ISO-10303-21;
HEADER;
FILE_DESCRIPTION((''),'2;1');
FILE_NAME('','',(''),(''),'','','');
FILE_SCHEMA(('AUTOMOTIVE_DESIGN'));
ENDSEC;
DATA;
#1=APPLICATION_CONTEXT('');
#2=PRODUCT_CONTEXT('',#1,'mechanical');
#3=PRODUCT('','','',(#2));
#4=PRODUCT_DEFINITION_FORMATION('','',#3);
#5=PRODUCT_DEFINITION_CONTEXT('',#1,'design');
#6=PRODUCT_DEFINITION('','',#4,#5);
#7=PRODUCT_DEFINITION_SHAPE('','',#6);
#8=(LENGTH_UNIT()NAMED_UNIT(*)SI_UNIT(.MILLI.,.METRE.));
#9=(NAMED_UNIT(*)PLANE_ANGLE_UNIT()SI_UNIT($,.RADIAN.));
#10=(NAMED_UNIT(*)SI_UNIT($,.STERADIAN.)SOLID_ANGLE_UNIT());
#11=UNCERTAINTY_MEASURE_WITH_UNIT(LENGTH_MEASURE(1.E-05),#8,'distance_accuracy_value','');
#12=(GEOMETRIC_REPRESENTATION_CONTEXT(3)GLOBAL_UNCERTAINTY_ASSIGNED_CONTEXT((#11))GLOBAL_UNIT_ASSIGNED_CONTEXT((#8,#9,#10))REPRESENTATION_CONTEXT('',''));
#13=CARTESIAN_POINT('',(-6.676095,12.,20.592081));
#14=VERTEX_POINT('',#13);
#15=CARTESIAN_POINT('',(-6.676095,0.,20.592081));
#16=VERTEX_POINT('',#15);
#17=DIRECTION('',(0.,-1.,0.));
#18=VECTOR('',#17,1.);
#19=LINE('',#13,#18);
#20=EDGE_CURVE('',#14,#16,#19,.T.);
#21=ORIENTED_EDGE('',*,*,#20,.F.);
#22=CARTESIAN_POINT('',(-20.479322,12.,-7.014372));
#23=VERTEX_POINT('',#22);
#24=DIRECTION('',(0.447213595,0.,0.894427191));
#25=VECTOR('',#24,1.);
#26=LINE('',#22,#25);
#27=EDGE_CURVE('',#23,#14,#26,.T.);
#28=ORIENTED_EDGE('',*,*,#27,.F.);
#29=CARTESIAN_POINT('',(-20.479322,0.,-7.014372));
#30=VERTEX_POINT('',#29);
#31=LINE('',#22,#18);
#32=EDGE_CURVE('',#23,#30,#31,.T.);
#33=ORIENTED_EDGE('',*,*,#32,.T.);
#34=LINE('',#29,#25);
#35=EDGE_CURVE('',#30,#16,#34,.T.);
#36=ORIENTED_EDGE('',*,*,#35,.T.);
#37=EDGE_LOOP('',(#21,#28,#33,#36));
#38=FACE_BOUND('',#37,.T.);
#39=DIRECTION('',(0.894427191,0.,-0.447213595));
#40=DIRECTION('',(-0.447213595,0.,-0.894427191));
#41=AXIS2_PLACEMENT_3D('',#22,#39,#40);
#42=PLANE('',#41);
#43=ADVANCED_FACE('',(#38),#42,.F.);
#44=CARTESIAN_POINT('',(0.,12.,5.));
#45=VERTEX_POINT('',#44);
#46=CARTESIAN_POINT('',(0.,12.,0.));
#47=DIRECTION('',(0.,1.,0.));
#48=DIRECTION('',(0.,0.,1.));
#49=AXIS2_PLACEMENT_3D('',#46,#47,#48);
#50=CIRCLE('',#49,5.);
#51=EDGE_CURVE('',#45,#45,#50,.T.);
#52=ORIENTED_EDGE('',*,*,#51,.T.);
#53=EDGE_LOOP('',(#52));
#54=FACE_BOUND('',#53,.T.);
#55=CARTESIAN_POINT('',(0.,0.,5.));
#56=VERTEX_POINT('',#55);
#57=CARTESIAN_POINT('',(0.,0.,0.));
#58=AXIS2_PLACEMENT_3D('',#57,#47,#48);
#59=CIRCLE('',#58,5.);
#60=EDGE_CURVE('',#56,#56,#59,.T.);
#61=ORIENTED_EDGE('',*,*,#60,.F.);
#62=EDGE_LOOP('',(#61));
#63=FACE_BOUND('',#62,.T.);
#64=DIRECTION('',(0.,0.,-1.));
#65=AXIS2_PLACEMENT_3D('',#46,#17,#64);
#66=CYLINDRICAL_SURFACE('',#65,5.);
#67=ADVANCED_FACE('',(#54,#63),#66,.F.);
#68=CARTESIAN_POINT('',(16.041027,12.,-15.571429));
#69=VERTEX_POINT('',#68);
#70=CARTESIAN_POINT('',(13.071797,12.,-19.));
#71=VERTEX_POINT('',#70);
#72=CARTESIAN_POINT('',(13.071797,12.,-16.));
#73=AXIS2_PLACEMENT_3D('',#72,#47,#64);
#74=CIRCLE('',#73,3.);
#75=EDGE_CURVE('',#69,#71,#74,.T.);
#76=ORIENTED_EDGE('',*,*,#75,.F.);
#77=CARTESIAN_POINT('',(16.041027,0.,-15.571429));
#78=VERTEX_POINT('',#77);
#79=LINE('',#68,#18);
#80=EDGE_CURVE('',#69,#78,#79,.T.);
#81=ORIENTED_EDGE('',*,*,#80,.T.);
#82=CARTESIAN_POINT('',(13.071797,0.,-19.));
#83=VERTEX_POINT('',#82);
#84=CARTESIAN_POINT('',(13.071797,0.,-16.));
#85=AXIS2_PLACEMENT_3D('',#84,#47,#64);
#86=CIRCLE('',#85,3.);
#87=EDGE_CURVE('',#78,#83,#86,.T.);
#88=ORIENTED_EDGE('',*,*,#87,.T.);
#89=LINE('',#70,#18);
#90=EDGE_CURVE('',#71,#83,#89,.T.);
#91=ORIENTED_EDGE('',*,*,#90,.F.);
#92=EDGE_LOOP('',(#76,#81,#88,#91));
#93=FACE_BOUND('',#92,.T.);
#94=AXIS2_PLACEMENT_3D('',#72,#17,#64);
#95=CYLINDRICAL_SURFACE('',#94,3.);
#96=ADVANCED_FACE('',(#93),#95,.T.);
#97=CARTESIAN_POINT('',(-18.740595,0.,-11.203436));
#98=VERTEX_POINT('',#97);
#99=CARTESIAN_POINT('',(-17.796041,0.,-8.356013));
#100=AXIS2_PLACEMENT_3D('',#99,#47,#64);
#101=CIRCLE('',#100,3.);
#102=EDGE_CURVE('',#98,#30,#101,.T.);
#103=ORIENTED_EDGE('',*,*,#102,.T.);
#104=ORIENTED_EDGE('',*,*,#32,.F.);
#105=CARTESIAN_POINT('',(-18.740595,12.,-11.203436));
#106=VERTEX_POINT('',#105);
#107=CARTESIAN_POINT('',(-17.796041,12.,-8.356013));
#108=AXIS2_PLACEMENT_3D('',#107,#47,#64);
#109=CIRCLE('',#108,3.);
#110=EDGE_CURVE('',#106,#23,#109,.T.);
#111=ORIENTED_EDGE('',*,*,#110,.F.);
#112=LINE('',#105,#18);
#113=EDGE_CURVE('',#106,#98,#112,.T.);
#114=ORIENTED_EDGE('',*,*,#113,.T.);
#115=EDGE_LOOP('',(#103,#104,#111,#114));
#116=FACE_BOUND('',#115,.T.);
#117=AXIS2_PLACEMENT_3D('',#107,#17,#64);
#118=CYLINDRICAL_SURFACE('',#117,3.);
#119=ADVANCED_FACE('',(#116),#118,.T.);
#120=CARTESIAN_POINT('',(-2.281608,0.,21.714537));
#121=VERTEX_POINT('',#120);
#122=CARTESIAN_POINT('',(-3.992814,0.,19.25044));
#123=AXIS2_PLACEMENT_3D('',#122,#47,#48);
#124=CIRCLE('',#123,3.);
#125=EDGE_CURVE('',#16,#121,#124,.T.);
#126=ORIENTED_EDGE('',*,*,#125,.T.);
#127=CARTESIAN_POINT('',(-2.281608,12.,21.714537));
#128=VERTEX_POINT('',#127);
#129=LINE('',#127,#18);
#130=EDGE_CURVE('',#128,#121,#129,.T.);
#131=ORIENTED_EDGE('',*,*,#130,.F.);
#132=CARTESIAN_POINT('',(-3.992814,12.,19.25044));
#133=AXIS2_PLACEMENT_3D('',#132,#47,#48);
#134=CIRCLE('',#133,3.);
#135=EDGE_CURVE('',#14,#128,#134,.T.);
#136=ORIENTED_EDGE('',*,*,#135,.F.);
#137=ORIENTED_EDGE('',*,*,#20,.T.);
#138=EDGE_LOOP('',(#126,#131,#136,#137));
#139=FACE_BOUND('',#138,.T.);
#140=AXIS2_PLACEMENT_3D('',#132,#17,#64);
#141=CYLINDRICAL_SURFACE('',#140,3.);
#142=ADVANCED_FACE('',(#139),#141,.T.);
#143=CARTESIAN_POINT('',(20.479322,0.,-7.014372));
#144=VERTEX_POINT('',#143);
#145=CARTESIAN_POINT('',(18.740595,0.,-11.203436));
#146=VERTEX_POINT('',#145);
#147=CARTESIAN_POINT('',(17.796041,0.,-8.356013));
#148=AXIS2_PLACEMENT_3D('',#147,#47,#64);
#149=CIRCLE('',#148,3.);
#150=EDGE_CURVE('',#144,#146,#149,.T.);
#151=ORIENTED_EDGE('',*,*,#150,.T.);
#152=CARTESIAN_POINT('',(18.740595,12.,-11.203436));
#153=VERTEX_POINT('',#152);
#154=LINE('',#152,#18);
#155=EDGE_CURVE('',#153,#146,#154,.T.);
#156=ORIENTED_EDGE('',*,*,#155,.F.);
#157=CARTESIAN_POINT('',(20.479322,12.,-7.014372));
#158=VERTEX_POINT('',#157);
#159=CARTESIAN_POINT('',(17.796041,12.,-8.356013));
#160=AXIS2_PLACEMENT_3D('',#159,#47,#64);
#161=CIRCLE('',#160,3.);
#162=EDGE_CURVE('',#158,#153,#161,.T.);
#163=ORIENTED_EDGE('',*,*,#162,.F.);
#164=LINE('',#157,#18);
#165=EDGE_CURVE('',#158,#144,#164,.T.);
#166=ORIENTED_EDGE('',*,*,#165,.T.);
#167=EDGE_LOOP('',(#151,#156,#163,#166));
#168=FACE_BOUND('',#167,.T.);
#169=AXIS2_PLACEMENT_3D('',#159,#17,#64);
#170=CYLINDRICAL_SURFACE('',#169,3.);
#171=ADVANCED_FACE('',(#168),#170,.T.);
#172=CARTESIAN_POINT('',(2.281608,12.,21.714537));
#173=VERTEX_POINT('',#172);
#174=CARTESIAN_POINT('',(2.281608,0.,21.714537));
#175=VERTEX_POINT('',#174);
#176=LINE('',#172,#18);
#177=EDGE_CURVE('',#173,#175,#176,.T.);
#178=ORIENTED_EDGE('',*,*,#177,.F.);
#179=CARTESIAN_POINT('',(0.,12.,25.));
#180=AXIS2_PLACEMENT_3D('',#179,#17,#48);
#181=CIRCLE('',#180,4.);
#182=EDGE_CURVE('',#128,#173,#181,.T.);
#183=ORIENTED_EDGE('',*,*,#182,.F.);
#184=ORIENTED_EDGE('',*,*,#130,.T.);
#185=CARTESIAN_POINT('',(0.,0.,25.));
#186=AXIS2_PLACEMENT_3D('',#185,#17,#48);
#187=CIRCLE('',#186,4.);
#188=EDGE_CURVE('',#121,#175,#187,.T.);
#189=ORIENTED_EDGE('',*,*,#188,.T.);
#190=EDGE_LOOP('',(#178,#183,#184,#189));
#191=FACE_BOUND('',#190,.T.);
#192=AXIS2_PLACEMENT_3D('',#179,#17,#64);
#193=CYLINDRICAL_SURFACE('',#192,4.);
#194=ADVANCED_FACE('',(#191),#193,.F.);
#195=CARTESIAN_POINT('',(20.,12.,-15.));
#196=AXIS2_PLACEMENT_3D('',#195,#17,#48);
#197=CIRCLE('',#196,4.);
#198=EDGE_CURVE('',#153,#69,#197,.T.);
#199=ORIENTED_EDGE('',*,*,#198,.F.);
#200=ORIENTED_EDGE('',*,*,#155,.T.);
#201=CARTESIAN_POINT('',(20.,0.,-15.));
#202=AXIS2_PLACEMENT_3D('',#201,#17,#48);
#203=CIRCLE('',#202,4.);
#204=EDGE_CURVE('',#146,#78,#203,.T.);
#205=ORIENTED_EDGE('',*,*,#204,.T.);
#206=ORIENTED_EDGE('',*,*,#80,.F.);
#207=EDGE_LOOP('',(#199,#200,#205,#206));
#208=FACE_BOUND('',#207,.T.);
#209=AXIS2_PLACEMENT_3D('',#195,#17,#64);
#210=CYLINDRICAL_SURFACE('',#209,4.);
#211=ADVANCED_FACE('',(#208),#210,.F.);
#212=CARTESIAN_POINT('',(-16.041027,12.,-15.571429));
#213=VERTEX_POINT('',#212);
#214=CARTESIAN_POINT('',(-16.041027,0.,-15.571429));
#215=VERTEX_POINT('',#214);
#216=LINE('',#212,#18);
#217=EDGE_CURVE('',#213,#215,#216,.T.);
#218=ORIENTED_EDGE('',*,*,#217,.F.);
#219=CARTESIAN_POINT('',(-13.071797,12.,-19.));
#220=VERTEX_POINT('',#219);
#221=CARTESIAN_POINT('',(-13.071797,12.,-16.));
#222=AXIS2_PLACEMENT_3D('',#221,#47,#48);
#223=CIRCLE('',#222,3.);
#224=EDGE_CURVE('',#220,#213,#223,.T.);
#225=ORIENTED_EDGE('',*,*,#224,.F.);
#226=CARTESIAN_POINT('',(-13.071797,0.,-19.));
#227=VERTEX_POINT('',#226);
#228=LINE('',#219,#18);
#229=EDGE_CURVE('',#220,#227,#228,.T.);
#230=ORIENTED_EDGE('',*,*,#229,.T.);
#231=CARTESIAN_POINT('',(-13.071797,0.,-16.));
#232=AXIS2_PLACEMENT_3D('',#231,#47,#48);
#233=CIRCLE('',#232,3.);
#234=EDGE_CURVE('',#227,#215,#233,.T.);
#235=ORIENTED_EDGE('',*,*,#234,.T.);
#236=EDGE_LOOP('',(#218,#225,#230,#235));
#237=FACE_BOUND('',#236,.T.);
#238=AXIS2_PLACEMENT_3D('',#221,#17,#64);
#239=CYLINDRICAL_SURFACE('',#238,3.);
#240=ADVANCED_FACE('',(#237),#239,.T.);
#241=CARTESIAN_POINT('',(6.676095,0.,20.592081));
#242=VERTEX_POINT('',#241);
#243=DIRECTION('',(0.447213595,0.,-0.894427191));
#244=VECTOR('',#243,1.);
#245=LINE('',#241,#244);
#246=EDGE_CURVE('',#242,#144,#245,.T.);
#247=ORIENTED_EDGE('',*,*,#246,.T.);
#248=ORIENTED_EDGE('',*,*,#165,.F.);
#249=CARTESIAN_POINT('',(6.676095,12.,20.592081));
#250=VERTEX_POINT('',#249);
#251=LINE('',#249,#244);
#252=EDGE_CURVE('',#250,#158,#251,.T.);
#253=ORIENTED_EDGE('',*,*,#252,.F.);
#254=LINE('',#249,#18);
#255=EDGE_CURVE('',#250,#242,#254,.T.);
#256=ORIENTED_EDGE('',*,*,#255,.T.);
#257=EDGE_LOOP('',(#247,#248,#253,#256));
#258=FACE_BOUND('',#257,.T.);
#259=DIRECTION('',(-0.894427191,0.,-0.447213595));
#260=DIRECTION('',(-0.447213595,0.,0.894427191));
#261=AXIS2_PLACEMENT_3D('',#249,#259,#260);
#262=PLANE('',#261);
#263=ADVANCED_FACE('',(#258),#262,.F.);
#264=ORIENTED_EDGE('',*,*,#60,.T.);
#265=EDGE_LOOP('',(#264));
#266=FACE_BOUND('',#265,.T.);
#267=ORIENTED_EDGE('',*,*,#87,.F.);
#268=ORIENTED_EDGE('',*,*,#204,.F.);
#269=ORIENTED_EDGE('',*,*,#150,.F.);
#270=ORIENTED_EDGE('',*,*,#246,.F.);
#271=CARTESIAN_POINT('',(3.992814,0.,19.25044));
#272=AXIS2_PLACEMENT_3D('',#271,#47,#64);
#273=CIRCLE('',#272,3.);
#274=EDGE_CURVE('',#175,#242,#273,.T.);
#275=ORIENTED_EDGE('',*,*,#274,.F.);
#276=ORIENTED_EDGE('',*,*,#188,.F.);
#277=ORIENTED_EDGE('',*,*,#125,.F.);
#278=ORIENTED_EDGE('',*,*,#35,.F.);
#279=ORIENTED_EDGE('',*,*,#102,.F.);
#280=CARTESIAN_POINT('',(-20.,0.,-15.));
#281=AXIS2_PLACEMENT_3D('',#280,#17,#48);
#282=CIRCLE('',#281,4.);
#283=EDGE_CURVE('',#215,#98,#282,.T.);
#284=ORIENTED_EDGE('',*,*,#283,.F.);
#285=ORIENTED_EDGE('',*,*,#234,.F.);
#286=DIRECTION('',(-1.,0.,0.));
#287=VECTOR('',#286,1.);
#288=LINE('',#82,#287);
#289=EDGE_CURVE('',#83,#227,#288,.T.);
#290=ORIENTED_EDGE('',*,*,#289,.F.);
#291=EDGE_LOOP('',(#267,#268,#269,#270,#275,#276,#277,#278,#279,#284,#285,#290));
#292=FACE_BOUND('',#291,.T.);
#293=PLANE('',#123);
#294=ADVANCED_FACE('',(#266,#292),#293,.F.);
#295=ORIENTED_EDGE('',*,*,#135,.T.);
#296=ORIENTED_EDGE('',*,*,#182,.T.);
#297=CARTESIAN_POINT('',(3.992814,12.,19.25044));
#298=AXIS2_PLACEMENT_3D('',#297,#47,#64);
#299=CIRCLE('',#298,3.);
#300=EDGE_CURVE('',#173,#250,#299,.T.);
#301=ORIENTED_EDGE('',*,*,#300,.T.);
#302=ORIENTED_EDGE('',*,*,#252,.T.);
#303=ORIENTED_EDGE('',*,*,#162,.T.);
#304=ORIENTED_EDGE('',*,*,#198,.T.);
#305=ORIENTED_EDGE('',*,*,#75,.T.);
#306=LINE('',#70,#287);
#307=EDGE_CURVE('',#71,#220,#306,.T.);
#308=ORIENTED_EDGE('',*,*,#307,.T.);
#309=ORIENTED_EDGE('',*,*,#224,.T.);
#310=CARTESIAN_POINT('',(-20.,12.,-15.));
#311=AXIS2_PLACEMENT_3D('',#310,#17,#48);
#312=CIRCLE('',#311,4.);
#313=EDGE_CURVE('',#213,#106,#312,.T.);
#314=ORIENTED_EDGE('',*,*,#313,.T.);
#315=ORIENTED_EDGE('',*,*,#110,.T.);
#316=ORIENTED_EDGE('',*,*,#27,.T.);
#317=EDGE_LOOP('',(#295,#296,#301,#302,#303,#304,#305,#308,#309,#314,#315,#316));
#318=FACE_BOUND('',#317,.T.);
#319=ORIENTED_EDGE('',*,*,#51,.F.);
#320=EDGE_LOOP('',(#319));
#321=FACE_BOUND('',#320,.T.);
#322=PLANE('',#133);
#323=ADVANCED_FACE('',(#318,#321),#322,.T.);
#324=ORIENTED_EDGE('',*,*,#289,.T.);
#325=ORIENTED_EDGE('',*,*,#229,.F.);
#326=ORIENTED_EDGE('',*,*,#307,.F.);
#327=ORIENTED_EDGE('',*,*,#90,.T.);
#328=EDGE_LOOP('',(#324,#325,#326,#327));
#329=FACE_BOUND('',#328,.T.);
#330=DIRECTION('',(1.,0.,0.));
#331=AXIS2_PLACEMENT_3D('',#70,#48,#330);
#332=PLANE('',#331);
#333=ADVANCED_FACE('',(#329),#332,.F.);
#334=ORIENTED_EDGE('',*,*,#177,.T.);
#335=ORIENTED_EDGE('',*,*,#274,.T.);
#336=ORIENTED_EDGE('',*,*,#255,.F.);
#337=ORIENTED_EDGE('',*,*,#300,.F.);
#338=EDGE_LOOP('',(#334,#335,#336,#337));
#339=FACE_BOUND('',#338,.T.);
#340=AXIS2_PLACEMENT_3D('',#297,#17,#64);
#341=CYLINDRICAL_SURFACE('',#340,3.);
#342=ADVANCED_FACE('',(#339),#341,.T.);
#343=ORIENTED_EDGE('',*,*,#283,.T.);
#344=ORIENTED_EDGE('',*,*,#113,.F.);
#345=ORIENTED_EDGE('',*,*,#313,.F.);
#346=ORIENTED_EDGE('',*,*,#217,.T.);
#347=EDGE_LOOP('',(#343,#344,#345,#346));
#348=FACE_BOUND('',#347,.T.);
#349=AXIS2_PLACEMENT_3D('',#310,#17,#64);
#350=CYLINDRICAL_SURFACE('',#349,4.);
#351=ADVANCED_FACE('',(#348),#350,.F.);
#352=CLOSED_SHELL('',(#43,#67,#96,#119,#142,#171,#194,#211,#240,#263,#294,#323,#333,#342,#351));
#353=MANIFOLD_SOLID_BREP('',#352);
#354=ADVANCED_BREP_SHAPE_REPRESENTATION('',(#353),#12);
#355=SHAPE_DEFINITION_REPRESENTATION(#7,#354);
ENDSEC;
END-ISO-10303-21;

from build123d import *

# Parameters (mm, degrees)
SKETCH1_R           = 5
BOSS_EXTRUDE1_DEPTH = 12


with BuildPart() as part:
    # Sketch1 → Boss-Extrude1 (new body)
    with BuildSketch(Plane(origin=(0, 0, 0), x_dir=(1, 0, 0), z_dir=(0, 1, 0))):
        with BuildLine():
            Line((-20.479322087, 7.014372264), (-6.676095441, -20.592081028))
            ThreePointArc((-6.676095441, -20.592081028), (-4.735248894, -22.157120519), (-2.281607925, -21.714537281))
            ThreePointArc((-2.281607925, -21.714537281), (0, -21), (2.281607925, -21.714537281))
            ThreePointArc((2.281607925, -21.714537281), (4.735248894, -22.157120519), (6.676095441, -20.592081028))
            Line((6.676095441, -20.592081028), (20.479322087, 7.014372264))
            ThreePointArc((20.479322087, 7.014372264), (20.566845751, 9.506073196), (18.740594579, 11.203436029))
            ThreePointArc((18.740594579, 11.203436029), (16.597396767, 12.897075552), (16.041026726, 15.571428571))
            ThreePointArc((16.041026726, 15.571428571), (15.339583608, 17.963961012), (13.07179677, 19))
            Line((13.07179677, 19), (-13.07179677, 19))
            ThreePointArc((-13.07179677, 19), (-15.339583608, 17.963961012), (-16.041026726, 15.571428571))
            ThreePointArc((-16.041026726, 15.571428571), (-16.597396767, 12.897075552), (-18.740594579, 11.203436029))
            ThreePointArc((-18.740594579, 11.203436029), (-20.566845751, 9.506073196), (-20.479322087, 7.014372264))
        make_face()
        with Locations(Location((0, 0, 0), (0, 0, 270))):
            Circle(SKETCH1_R, mode=Mode.SUBTRACT)
    extrude(amount=BOSS_EXTRUDE1_DEPTH)


solid = part.part
